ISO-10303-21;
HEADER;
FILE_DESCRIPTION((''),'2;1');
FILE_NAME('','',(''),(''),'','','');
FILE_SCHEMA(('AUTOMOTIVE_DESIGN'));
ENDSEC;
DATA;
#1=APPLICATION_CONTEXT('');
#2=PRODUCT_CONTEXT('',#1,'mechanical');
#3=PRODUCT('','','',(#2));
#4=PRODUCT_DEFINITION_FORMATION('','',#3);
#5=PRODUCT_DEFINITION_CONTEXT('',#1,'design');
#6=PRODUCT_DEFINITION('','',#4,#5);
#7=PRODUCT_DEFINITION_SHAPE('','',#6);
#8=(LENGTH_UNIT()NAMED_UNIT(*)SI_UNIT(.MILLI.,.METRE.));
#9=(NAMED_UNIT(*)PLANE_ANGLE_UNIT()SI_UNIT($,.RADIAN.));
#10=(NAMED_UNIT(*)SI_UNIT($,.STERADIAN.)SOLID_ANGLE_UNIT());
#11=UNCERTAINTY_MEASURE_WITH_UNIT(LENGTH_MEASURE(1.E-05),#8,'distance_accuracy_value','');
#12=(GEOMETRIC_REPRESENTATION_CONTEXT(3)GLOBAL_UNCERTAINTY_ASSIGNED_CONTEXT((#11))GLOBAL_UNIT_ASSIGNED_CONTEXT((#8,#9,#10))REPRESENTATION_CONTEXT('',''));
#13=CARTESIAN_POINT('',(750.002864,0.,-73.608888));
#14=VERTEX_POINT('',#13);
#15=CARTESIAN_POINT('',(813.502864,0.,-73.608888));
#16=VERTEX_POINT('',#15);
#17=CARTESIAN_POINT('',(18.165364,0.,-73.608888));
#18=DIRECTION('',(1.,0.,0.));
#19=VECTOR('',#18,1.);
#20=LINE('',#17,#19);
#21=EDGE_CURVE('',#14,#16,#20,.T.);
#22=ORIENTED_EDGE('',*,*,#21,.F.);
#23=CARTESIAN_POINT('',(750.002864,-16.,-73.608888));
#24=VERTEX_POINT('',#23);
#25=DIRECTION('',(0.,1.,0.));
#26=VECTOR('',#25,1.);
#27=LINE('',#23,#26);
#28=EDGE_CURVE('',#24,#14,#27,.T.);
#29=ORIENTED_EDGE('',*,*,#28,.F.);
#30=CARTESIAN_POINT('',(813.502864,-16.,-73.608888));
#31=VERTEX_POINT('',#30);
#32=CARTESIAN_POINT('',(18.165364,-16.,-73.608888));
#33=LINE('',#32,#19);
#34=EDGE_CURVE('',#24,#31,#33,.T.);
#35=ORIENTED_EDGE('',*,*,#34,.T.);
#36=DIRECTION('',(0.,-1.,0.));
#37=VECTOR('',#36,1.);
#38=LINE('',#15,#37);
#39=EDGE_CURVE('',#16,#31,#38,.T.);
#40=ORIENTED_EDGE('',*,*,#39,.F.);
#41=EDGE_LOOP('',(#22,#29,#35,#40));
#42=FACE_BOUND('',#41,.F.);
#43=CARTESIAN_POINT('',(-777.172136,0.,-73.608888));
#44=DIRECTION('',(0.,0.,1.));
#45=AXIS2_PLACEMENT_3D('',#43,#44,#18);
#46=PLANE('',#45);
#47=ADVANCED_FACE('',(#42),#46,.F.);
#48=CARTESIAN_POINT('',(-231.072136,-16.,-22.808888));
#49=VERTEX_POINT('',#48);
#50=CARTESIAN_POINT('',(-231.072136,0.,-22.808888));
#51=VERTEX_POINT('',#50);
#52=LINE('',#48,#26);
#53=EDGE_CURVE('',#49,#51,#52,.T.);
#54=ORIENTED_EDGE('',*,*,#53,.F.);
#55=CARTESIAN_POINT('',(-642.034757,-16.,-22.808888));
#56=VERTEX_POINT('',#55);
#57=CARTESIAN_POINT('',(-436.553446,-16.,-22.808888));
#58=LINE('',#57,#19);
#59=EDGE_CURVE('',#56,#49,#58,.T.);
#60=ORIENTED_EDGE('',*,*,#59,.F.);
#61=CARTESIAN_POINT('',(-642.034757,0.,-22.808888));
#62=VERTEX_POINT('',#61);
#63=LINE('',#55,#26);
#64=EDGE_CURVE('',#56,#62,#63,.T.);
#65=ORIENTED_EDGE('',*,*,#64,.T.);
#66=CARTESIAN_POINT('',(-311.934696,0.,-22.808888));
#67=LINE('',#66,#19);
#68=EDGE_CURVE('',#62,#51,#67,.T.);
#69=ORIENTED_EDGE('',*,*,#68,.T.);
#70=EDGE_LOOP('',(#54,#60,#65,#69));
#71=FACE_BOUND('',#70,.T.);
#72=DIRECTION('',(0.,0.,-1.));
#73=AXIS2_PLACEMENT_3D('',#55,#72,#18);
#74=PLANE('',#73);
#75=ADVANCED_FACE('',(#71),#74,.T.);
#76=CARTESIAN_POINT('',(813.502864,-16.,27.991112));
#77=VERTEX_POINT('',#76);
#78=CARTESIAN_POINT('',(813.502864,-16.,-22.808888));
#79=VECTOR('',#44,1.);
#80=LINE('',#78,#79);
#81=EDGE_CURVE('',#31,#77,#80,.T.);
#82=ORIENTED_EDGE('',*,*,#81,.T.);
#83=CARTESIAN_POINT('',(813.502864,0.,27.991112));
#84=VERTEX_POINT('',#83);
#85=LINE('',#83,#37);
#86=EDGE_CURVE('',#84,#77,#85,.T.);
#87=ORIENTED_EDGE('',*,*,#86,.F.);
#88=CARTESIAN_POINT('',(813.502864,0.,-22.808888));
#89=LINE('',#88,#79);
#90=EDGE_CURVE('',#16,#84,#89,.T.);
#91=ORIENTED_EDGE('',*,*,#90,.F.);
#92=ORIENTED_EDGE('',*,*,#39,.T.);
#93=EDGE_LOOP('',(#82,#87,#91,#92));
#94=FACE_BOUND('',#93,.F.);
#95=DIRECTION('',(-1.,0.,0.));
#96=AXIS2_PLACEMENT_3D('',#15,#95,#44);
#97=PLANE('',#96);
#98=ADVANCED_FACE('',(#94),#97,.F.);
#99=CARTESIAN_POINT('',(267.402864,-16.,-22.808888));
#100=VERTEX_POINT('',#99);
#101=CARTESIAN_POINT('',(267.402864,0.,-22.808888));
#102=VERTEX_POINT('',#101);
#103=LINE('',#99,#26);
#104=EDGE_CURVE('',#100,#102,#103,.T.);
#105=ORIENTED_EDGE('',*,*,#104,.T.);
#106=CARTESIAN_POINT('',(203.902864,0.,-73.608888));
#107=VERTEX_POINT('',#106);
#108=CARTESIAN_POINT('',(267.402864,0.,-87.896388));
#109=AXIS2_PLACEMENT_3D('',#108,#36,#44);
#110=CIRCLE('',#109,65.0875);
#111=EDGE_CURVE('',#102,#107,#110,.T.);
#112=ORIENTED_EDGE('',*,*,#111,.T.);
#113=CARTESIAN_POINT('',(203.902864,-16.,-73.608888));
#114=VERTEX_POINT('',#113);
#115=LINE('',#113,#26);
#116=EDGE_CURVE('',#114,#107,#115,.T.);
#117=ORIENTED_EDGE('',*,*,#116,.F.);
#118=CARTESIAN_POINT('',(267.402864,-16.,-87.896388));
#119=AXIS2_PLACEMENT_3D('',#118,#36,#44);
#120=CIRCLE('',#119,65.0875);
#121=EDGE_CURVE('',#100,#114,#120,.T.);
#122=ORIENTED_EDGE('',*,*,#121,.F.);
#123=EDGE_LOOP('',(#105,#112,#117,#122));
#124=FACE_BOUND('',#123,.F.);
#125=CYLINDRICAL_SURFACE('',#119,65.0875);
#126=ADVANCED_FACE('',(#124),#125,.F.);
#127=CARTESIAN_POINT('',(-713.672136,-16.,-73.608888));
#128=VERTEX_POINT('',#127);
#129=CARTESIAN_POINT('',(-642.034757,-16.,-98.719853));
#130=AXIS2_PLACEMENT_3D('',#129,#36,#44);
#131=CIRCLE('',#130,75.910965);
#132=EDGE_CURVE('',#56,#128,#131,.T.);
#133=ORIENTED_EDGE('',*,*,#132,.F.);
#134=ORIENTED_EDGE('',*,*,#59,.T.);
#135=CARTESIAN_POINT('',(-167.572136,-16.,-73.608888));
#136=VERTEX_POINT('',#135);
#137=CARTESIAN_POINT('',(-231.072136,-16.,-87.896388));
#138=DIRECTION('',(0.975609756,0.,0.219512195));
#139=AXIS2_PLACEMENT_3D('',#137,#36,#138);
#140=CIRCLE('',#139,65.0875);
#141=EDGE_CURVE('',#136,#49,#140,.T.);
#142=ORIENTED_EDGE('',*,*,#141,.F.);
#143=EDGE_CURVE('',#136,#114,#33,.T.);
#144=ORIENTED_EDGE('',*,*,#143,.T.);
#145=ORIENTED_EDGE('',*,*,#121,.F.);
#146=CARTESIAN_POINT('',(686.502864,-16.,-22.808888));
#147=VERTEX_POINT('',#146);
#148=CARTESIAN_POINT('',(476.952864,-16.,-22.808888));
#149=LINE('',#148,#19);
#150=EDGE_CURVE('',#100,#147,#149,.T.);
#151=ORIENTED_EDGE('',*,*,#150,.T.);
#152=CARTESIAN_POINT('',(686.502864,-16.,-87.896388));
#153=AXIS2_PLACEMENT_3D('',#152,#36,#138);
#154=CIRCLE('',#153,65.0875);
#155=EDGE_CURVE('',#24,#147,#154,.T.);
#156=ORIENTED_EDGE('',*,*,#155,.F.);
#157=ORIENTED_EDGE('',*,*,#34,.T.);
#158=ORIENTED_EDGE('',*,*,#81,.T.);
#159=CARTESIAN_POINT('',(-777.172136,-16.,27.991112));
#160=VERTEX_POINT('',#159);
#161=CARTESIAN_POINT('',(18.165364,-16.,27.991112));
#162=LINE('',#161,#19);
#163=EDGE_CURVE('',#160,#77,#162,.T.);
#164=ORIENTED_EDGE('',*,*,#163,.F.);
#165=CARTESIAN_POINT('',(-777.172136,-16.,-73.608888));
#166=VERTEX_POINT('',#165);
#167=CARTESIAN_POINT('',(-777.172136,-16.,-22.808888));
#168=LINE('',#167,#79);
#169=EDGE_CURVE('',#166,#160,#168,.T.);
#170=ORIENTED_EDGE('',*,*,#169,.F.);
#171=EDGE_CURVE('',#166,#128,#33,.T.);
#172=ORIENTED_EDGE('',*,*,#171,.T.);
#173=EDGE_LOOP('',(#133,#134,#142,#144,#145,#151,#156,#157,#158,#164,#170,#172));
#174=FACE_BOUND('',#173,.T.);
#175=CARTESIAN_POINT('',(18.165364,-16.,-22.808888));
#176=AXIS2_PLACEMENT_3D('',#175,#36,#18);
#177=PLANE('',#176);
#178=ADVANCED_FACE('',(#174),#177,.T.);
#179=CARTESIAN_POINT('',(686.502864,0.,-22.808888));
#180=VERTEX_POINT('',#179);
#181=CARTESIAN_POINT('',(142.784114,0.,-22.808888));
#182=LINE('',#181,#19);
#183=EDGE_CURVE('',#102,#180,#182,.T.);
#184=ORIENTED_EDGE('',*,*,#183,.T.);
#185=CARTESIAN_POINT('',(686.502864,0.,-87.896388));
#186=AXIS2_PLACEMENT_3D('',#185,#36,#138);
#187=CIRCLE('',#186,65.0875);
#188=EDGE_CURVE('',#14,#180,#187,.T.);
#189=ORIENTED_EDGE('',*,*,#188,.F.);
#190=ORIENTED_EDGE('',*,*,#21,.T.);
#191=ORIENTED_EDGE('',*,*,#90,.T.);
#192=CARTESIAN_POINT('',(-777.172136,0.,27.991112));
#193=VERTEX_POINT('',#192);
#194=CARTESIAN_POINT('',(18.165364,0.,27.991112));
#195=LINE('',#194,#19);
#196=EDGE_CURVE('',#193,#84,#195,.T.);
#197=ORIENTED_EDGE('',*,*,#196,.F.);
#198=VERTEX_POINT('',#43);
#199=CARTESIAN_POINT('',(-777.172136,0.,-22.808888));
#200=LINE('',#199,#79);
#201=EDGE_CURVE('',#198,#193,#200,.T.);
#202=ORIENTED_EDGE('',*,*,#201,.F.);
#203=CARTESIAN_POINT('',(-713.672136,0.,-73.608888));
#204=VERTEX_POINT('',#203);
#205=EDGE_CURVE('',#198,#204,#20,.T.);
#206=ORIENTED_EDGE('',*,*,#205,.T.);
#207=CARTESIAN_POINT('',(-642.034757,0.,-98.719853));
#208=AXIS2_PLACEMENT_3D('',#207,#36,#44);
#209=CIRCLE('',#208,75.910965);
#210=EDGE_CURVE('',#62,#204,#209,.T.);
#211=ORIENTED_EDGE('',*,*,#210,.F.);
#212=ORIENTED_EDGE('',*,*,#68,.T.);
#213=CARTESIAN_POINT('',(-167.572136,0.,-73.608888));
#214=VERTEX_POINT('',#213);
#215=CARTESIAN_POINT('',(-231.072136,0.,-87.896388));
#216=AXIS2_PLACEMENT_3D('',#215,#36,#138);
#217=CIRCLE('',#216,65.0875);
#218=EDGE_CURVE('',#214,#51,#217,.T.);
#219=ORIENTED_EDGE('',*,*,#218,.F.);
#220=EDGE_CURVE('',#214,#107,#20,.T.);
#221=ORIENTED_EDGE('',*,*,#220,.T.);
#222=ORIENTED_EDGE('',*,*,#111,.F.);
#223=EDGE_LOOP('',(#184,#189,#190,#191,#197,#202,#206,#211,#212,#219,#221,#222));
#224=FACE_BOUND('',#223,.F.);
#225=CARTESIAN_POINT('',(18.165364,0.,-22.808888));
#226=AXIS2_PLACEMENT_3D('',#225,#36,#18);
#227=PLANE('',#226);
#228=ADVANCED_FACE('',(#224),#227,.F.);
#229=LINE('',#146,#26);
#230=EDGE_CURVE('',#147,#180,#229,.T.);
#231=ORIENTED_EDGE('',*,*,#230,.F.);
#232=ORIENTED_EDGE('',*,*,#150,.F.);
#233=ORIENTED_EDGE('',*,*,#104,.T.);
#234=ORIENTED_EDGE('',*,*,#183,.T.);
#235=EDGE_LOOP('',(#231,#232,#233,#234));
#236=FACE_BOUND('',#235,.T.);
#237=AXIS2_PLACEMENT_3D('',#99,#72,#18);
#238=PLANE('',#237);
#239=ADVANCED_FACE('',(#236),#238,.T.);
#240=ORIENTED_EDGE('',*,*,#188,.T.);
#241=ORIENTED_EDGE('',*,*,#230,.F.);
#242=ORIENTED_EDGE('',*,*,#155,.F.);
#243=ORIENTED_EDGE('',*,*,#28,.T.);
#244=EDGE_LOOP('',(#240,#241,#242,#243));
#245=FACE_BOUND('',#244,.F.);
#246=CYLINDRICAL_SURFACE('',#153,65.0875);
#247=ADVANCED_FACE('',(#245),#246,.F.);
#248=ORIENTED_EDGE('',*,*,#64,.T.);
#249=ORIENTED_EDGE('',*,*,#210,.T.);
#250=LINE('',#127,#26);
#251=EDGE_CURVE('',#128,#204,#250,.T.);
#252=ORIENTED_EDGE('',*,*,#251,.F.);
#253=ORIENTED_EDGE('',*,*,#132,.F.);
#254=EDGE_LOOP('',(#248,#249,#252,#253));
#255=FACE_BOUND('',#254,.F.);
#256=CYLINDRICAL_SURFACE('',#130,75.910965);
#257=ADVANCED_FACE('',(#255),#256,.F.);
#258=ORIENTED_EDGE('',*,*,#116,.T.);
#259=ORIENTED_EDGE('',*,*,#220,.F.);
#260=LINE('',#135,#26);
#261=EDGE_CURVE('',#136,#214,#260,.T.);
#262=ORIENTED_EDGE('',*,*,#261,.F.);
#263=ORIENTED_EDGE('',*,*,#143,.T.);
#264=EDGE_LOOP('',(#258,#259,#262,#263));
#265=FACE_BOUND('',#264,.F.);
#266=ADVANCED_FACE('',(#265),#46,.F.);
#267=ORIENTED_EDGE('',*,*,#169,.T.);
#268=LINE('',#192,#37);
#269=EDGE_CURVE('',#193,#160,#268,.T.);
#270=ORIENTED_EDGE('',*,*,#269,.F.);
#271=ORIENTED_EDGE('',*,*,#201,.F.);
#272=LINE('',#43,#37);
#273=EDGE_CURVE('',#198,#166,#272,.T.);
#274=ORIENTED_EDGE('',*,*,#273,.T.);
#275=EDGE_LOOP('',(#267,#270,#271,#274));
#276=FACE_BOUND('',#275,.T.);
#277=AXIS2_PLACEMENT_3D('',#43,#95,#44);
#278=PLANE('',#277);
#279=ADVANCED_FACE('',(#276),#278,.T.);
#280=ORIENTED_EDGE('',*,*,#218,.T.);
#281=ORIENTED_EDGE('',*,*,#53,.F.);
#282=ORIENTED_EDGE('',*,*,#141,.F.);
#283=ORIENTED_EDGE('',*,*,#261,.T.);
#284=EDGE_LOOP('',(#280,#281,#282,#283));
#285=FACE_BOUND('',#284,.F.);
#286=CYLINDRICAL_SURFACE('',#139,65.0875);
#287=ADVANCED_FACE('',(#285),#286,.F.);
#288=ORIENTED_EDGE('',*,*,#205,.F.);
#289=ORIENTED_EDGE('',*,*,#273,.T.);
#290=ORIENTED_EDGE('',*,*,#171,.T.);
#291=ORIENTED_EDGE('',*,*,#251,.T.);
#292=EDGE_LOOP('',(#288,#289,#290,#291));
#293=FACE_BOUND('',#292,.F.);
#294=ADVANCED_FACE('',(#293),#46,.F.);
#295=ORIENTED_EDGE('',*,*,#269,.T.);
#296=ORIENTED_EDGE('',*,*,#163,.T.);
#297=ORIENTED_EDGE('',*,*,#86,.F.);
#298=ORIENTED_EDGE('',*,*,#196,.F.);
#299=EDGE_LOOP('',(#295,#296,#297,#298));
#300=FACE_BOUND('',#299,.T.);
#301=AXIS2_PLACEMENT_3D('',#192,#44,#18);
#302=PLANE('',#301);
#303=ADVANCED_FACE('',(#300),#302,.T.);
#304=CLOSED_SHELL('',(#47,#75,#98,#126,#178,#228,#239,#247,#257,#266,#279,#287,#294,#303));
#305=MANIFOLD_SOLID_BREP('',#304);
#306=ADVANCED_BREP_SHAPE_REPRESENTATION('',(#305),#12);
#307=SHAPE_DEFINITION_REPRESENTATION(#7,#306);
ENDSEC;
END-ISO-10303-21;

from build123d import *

# Parameters (mm, degrees)
F0_W     = 1590.675
F0_H     = 101.6
F1_DEPTH = 16
F2_W     = 410.9626214183
F2_H     = 50.8
F2_W_2   = 419.1
F3_DEPTH = 25.4


with BuildPart() as f1:
    # F0 (on Front) → F1 (new body)
    with BuildSketch(Plane.XZ):
        with Locations((18.1653643548, -22.8088884252)):
            Rectangle(F0_W, F0_H)
    extrude(amount=F1_DEPTH)

    # F2 (on face) → F3 (cut)
    with BuildSketch(Plane.XZ.offset(16)):
        with BuildLine():
            Line((-642.0347570634, -73.6088884252), (-642.0347570634, -22.8088884252))
            ThreePointArc((-642.0347570634, -22.8088884252), (-685.9453309895, -36.797837184), (-713.6721356452, -73.6088884252))
            Line((-713.6721356452, -73.6088884252), (-642.0347570634, -73.6088884252))
        make_face()
        with Locations((-436.5534463543, -48.2088884252)):
            Rectangle(F2_W, F2_H)
        with BuildLine():
            Line((-231.0721356452, -73.6088884252), (-167.5721356452, -73.6088884252))
            ThreePointArc((-167.5721356452, -73.6088884252), (-190.4122967375, -37.0715897906), (-231.0721356452, -22.8088884252))
            Line((-231.0721356452, -22.8088884252), (-231.0721356452, -73.6088884252))
        make_face()
        with BuildLine():
            ThreePointArc((267.4028643548, -22.8088884252), (226.7430254472, -37.0715897906), (203.9028643548, -73.6088884252))
            Line((203.9028643548, -73.6088884252), (267.4028643548, -73.6088884252))
            Line((267.4028643548, -73.6088884252), (267.4028643548, -22.8088884252))
        make_face()
        with Locations((476.9528643548, -48.2088884252)):
            Rectangle(F2_W_2, F2_H)
        with BuildLine():
            ThreePointArc((750.0028643548, -73.6088884252), (727.1627032625, -37.0715897906), (686.5028643548, -22.8088884252))
            Line((686.5028643548, -22.8088884252), (686.5028643548, -73.6088884252))
            Line((686.5028643548, -73.6088884252), (750.0028643548, -73.6088884252))
        make_face()
    extrude(amount=-F3_DEPTH, mode=Mode.SUBTRACT)


solid = f1.part
